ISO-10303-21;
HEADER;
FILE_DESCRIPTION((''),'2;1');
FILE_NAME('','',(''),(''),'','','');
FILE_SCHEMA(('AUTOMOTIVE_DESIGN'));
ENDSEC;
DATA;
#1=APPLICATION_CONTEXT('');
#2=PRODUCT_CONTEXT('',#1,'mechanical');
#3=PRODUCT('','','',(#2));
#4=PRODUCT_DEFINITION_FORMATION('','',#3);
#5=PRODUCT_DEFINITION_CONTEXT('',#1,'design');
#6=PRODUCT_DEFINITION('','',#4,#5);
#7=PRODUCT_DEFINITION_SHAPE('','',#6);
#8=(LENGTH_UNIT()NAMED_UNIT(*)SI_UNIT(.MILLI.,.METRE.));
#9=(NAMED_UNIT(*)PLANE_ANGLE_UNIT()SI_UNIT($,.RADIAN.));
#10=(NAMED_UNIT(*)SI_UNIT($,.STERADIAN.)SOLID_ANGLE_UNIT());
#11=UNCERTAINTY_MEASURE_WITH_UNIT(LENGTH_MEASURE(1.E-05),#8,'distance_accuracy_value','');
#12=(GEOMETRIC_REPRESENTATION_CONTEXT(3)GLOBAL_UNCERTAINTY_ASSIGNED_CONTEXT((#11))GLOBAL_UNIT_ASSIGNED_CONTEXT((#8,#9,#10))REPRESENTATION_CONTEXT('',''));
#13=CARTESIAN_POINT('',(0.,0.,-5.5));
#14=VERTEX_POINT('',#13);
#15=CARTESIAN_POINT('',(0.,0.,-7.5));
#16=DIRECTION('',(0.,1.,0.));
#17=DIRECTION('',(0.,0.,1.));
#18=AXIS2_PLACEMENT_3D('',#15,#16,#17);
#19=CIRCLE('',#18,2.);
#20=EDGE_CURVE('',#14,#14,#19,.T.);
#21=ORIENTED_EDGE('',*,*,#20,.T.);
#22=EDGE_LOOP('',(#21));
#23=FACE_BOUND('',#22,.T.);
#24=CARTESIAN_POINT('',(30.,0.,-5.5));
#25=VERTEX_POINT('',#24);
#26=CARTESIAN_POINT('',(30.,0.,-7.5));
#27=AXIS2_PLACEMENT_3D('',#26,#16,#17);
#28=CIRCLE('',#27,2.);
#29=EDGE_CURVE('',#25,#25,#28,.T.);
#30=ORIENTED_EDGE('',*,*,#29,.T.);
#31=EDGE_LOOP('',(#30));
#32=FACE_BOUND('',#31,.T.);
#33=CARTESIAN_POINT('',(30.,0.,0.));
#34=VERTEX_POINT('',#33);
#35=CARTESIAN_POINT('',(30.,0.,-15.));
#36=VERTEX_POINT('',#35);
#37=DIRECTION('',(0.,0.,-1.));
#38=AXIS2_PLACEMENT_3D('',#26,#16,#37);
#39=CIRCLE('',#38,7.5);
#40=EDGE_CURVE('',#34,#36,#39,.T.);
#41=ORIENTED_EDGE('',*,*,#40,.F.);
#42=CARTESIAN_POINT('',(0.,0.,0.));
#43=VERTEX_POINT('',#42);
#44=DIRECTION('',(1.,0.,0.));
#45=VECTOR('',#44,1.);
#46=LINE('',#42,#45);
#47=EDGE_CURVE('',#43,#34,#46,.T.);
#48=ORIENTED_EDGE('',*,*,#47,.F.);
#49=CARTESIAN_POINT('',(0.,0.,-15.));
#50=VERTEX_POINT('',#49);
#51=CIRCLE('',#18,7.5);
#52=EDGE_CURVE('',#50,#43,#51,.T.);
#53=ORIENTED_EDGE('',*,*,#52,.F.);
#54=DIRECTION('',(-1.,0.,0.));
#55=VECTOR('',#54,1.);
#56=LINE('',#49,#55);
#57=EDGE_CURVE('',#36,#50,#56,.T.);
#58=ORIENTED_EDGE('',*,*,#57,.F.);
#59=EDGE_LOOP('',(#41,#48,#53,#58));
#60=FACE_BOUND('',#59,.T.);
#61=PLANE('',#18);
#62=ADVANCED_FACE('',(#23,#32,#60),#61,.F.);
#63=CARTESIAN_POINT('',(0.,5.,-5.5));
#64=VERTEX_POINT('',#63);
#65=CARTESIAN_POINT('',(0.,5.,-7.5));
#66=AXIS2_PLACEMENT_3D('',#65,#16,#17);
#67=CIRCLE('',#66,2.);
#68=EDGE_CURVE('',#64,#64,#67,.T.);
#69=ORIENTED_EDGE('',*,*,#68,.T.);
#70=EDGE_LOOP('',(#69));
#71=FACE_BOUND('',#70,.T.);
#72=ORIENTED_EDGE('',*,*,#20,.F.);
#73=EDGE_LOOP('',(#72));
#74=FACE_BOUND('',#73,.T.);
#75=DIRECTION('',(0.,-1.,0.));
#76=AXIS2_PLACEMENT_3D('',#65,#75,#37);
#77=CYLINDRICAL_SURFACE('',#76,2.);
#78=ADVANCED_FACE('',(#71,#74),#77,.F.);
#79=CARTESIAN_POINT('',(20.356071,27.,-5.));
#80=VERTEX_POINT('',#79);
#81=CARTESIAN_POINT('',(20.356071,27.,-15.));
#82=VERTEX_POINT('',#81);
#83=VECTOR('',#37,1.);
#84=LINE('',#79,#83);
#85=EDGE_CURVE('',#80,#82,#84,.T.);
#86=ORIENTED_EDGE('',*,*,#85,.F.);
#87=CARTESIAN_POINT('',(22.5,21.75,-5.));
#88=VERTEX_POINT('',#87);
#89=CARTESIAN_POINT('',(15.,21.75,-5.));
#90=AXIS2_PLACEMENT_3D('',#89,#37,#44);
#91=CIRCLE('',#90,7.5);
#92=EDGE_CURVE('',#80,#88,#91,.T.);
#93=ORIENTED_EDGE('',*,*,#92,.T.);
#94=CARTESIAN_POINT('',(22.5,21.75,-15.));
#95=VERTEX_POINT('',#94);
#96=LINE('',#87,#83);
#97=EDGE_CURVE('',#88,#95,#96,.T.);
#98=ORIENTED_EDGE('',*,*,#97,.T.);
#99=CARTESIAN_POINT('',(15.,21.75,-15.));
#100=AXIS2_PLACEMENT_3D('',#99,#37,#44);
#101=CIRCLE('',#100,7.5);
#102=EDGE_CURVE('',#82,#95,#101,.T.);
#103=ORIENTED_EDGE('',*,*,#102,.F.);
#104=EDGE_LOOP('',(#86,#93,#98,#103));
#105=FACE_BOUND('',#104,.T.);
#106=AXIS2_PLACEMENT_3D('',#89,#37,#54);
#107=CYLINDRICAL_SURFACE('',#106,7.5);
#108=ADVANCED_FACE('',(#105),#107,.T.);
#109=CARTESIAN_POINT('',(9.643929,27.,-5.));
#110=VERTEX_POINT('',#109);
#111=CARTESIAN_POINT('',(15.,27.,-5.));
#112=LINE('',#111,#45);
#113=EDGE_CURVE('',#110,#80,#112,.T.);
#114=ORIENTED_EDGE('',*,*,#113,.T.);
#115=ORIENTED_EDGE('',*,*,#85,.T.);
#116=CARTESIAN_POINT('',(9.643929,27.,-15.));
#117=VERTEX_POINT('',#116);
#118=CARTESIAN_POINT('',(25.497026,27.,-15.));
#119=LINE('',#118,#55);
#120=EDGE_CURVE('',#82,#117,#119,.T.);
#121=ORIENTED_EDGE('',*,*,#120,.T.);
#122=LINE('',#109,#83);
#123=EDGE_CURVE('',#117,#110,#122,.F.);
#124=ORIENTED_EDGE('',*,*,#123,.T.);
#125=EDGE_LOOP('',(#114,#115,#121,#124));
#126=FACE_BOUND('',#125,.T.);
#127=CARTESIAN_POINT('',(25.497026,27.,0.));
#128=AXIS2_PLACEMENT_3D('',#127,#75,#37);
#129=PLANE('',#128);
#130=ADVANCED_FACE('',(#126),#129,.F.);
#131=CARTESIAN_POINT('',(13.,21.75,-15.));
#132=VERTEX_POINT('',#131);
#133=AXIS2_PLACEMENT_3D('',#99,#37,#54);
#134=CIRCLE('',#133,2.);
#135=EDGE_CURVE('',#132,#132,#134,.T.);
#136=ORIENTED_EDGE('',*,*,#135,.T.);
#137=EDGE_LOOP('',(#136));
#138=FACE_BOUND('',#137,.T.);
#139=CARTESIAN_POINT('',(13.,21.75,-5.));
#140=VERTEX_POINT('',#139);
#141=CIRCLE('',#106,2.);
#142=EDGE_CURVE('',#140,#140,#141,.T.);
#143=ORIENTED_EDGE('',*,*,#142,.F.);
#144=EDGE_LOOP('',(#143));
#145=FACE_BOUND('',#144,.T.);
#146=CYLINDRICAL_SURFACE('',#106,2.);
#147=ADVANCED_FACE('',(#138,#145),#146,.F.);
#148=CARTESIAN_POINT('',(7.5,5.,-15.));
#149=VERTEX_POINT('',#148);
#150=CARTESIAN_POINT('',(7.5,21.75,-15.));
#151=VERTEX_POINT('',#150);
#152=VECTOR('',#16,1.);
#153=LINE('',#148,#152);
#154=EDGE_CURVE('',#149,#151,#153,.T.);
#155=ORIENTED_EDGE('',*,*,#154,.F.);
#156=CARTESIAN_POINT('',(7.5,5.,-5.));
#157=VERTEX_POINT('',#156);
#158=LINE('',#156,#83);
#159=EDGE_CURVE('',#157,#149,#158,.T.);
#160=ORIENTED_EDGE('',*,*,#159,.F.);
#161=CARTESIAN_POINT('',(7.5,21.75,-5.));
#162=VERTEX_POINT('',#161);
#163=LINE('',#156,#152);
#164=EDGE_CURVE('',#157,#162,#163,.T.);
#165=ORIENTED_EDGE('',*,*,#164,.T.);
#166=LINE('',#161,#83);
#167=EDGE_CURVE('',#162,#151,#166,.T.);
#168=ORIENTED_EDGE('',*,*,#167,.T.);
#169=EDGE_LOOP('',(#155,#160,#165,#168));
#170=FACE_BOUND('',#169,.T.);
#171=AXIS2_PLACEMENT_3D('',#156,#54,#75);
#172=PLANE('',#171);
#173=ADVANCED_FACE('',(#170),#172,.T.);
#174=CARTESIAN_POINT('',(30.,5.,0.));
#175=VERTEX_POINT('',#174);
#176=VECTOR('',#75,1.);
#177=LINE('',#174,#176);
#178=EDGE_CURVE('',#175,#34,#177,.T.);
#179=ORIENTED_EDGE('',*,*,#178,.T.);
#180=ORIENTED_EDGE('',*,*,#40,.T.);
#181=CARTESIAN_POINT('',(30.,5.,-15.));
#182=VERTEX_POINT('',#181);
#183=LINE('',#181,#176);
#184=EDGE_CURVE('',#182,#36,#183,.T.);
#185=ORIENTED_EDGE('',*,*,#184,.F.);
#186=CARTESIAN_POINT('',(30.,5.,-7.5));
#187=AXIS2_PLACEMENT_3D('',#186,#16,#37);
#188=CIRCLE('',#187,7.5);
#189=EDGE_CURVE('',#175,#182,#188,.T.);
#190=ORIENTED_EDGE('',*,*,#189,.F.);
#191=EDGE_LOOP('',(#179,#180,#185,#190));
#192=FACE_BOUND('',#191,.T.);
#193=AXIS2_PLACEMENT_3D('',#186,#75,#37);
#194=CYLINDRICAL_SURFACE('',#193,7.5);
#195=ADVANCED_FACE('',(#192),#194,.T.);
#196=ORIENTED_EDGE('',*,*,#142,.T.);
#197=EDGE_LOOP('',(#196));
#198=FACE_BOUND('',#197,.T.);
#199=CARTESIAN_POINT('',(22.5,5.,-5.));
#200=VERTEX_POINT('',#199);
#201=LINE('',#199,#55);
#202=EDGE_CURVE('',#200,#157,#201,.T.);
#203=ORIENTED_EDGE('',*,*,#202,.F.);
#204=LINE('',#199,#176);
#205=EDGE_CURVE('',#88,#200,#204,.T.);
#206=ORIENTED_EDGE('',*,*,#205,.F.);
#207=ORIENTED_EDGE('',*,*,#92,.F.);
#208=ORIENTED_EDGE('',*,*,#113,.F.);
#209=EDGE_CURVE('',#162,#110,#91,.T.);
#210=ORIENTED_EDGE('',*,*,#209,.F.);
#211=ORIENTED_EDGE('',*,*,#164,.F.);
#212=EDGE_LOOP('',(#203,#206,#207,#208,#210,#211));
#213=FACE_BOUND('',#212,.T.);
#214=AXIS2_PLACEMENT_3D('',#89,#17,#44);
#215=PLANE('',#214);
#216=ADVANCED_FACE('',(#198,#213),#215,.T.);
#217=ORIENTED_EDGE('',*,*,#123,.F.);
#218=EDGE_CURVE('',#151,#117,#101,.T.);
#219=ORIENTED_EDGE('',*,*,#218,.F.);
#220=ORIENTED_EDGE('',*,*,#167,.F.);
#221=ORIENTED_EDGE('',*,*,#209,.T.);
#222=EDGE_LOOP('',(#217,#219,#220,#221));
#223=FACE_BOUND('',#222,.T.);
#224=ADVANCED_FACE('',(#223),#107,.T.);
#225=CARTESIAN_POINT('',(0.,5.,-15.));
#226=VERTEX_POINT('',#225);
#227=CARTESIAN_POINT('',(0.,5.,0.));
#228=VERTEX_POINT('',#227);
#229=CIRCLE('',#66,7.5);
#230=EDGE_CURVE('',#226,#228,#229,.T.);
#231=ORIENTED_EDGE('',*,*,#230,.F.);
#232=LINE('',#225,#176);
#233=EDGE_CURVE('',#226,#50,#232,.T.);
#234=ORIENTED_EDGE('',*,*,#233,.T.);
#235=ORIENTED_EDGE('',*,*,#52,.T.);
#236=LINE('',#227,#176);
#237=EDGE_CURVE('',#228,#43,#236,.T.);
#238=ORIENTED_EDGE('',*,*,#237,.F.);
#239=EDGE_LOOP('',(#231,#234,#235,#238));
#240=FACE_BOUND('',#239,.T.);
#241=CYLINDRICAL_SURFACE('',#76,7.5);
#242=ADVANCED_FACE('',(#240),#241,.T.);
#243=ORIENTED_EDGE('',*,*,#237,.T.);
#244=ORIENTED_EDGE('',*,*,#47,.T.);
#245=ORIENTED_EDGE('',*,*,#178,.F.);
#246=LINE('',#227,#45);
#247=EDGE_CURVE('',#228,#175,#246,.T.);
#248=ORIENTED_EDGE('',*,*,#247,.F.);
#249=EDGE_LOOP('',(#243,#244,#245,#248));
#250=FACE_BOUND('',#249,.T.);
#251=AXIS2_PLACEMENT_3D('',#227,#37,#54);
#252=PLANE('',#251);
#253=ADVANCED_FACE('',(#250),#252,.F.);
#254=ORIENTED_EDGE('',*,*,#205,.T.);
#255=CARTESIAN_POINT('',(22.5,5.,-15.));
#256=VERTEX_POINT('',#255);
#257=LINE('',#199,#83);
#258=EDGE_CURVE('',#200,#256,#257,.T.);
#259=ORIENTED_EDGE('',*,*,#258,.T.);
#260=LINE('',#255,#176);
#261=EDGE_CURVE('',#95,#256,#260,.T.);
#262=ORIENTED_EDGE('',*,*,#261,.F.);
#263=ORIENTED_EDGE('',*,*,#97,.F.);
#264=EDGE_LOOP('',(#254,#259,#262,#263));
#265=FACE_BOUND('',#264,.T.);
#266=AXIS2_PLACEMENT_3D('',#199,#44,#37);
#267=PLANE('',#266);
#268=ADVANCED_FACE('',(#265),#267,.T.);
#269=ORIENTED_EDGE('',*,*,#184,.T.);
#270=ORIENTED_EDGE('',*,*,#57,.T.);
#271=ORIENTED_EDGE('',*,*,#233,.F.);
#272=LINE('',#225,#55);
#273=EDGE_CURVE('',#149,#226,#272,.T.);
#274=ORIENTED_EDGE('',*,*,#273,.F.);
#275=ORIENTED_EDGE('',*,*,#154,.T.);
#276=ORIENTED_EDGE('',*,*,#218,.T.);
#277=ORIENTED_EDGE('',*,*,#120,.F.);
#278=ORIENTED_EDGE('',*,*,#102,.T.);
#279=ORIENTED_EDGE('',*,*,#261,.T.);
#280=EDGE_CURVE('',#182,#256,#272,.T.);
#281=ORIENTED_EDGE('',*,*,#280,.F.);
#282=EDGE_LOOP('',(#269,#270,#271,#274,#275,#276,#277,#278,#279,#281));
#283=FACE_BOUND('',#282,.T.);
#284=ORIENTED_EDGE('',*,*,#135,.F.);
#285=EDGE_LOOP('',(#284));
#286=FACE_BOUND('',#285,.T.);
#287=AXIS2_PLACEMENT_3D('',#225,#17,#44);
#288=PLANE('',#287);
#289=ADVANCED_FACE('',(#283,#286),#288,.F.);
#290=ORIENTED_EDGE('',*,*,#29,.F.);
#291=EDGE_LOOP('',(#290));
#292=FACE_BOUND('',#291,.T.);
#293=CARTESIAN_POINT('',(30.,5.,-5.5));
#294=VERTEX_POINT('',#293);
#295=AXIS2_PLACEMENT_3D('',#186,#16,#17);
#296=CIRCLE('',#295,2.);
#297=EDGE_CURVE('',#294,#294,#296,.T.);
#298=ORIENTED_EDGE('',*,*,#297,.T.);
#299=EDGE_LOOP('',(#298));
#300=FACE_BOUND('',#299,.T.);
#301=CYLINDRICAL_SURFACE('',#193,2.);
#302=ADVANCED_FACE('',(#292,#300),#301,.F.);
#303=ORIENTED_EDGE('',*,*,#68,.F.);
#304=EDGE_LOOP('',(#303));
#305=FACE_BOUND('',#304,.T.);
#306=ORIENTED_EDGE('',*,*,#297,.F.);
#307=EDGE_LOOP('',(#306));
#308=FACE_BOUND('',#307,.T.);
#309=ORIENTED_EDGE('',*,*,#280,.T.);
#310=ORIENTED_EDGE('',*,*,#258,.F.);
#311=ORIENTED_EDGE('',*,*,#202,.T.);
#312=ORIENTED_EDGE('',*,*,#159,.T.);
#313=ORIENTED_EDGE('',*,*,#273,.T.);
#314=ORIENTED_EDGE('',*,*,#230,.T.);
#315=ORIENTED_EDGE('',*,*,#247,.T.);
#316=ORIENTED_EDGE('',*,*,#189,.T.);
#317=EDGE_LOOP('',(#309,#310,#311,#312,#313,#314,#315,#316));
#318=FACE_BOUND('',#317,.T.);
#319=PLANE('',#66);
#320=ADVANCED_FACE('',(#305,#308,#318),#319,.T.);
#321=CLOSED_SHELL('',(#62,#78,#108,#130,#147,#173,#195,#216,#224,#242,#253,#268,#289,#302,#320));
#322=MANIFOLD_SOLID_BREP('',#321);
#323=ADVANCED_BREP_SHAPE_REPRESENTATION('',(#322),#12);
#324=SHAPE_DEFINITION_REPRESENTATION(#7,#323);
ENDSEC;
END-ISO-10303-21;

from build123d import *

# Parameters (mm, degrees)
SKETCH1_R           = 2
BOSS_EXTRUDE1_DEPTH = 5
SKETCH3_R           = 2
BOSS_EXTRUDE2_DEPTH = 10
SKETCH4_W           = 24.111622735
SKETCH4_H           = 4.195341451
CUT_EXTRUDE1_DEPTH  = 16


with BuildPart() as part:
    # Sketch1 → Boss-Extrude1 (new body)
    with BuildSketch(Plane(origin=(0, 0, 0), x_dir=(1, 0, 0), z_dir=(0, 1, 0))):
        with BuildLine():
            Line((0, 0), (30, 0))
            ThreePointArc((30, 0), (37.5, 7.5), (30, 15))
            Line((30, 15), (0, 15))
            ThreePointArc((0, 15), (-7.5, 7.5), (0, 0))
        make_face()
        with Locations((0, 7.5)):
            Circle(SKETCH1_R, mode=Mode.SUBTRACT)
        with Locations((30, 7.5)):
            Circle(SKETCH1_R, mode=Mode.SUBTRACT)
    extrude(amount=BOSS_EXTRUDE1_DEPTH)

    # Sketch3 → Boss-Extrude2 (add)
    with BuildSketch(Plane(origin=(0, 0, -15), x_dir=(-1, 0, 0), z_dir=(0, 0, -1))):
        with BuildLine():
            Line((-22.5, 5), (-7.5, 5))
            Line((-7.5, 5), (-7.5, 21.75))
            ThreePointArc((-7.5, 21.75), (-15, 29.25), (-22.5, 21.75))
            Line((-22.5, 21.75), (-22.5, 5))
        make_face()
        with Locations((-15, 21.75)):
            Circle(SKETCH3_R, mode=Mode.SUBTRACT)
    extrude(amount=-BOSS_EXTRUDE2_DEPTH)

    # Sketch4 → Cut-Extrude1 (cut, through all)
    with BuildSketch(Plane(origin=(0, 0, -15), x_dir=(-1, 0, 0), z_dir=(0, 0, -1))):
        with Locations((-13.441214338, 29.097670726)):
            Rectangle(SKETCH4_W, SKETCH4_H)
    extrude(amount=-CUT_EXTRUDE1_DEPTH, mode=Mode.SUBTRACT)


solid = part.part
